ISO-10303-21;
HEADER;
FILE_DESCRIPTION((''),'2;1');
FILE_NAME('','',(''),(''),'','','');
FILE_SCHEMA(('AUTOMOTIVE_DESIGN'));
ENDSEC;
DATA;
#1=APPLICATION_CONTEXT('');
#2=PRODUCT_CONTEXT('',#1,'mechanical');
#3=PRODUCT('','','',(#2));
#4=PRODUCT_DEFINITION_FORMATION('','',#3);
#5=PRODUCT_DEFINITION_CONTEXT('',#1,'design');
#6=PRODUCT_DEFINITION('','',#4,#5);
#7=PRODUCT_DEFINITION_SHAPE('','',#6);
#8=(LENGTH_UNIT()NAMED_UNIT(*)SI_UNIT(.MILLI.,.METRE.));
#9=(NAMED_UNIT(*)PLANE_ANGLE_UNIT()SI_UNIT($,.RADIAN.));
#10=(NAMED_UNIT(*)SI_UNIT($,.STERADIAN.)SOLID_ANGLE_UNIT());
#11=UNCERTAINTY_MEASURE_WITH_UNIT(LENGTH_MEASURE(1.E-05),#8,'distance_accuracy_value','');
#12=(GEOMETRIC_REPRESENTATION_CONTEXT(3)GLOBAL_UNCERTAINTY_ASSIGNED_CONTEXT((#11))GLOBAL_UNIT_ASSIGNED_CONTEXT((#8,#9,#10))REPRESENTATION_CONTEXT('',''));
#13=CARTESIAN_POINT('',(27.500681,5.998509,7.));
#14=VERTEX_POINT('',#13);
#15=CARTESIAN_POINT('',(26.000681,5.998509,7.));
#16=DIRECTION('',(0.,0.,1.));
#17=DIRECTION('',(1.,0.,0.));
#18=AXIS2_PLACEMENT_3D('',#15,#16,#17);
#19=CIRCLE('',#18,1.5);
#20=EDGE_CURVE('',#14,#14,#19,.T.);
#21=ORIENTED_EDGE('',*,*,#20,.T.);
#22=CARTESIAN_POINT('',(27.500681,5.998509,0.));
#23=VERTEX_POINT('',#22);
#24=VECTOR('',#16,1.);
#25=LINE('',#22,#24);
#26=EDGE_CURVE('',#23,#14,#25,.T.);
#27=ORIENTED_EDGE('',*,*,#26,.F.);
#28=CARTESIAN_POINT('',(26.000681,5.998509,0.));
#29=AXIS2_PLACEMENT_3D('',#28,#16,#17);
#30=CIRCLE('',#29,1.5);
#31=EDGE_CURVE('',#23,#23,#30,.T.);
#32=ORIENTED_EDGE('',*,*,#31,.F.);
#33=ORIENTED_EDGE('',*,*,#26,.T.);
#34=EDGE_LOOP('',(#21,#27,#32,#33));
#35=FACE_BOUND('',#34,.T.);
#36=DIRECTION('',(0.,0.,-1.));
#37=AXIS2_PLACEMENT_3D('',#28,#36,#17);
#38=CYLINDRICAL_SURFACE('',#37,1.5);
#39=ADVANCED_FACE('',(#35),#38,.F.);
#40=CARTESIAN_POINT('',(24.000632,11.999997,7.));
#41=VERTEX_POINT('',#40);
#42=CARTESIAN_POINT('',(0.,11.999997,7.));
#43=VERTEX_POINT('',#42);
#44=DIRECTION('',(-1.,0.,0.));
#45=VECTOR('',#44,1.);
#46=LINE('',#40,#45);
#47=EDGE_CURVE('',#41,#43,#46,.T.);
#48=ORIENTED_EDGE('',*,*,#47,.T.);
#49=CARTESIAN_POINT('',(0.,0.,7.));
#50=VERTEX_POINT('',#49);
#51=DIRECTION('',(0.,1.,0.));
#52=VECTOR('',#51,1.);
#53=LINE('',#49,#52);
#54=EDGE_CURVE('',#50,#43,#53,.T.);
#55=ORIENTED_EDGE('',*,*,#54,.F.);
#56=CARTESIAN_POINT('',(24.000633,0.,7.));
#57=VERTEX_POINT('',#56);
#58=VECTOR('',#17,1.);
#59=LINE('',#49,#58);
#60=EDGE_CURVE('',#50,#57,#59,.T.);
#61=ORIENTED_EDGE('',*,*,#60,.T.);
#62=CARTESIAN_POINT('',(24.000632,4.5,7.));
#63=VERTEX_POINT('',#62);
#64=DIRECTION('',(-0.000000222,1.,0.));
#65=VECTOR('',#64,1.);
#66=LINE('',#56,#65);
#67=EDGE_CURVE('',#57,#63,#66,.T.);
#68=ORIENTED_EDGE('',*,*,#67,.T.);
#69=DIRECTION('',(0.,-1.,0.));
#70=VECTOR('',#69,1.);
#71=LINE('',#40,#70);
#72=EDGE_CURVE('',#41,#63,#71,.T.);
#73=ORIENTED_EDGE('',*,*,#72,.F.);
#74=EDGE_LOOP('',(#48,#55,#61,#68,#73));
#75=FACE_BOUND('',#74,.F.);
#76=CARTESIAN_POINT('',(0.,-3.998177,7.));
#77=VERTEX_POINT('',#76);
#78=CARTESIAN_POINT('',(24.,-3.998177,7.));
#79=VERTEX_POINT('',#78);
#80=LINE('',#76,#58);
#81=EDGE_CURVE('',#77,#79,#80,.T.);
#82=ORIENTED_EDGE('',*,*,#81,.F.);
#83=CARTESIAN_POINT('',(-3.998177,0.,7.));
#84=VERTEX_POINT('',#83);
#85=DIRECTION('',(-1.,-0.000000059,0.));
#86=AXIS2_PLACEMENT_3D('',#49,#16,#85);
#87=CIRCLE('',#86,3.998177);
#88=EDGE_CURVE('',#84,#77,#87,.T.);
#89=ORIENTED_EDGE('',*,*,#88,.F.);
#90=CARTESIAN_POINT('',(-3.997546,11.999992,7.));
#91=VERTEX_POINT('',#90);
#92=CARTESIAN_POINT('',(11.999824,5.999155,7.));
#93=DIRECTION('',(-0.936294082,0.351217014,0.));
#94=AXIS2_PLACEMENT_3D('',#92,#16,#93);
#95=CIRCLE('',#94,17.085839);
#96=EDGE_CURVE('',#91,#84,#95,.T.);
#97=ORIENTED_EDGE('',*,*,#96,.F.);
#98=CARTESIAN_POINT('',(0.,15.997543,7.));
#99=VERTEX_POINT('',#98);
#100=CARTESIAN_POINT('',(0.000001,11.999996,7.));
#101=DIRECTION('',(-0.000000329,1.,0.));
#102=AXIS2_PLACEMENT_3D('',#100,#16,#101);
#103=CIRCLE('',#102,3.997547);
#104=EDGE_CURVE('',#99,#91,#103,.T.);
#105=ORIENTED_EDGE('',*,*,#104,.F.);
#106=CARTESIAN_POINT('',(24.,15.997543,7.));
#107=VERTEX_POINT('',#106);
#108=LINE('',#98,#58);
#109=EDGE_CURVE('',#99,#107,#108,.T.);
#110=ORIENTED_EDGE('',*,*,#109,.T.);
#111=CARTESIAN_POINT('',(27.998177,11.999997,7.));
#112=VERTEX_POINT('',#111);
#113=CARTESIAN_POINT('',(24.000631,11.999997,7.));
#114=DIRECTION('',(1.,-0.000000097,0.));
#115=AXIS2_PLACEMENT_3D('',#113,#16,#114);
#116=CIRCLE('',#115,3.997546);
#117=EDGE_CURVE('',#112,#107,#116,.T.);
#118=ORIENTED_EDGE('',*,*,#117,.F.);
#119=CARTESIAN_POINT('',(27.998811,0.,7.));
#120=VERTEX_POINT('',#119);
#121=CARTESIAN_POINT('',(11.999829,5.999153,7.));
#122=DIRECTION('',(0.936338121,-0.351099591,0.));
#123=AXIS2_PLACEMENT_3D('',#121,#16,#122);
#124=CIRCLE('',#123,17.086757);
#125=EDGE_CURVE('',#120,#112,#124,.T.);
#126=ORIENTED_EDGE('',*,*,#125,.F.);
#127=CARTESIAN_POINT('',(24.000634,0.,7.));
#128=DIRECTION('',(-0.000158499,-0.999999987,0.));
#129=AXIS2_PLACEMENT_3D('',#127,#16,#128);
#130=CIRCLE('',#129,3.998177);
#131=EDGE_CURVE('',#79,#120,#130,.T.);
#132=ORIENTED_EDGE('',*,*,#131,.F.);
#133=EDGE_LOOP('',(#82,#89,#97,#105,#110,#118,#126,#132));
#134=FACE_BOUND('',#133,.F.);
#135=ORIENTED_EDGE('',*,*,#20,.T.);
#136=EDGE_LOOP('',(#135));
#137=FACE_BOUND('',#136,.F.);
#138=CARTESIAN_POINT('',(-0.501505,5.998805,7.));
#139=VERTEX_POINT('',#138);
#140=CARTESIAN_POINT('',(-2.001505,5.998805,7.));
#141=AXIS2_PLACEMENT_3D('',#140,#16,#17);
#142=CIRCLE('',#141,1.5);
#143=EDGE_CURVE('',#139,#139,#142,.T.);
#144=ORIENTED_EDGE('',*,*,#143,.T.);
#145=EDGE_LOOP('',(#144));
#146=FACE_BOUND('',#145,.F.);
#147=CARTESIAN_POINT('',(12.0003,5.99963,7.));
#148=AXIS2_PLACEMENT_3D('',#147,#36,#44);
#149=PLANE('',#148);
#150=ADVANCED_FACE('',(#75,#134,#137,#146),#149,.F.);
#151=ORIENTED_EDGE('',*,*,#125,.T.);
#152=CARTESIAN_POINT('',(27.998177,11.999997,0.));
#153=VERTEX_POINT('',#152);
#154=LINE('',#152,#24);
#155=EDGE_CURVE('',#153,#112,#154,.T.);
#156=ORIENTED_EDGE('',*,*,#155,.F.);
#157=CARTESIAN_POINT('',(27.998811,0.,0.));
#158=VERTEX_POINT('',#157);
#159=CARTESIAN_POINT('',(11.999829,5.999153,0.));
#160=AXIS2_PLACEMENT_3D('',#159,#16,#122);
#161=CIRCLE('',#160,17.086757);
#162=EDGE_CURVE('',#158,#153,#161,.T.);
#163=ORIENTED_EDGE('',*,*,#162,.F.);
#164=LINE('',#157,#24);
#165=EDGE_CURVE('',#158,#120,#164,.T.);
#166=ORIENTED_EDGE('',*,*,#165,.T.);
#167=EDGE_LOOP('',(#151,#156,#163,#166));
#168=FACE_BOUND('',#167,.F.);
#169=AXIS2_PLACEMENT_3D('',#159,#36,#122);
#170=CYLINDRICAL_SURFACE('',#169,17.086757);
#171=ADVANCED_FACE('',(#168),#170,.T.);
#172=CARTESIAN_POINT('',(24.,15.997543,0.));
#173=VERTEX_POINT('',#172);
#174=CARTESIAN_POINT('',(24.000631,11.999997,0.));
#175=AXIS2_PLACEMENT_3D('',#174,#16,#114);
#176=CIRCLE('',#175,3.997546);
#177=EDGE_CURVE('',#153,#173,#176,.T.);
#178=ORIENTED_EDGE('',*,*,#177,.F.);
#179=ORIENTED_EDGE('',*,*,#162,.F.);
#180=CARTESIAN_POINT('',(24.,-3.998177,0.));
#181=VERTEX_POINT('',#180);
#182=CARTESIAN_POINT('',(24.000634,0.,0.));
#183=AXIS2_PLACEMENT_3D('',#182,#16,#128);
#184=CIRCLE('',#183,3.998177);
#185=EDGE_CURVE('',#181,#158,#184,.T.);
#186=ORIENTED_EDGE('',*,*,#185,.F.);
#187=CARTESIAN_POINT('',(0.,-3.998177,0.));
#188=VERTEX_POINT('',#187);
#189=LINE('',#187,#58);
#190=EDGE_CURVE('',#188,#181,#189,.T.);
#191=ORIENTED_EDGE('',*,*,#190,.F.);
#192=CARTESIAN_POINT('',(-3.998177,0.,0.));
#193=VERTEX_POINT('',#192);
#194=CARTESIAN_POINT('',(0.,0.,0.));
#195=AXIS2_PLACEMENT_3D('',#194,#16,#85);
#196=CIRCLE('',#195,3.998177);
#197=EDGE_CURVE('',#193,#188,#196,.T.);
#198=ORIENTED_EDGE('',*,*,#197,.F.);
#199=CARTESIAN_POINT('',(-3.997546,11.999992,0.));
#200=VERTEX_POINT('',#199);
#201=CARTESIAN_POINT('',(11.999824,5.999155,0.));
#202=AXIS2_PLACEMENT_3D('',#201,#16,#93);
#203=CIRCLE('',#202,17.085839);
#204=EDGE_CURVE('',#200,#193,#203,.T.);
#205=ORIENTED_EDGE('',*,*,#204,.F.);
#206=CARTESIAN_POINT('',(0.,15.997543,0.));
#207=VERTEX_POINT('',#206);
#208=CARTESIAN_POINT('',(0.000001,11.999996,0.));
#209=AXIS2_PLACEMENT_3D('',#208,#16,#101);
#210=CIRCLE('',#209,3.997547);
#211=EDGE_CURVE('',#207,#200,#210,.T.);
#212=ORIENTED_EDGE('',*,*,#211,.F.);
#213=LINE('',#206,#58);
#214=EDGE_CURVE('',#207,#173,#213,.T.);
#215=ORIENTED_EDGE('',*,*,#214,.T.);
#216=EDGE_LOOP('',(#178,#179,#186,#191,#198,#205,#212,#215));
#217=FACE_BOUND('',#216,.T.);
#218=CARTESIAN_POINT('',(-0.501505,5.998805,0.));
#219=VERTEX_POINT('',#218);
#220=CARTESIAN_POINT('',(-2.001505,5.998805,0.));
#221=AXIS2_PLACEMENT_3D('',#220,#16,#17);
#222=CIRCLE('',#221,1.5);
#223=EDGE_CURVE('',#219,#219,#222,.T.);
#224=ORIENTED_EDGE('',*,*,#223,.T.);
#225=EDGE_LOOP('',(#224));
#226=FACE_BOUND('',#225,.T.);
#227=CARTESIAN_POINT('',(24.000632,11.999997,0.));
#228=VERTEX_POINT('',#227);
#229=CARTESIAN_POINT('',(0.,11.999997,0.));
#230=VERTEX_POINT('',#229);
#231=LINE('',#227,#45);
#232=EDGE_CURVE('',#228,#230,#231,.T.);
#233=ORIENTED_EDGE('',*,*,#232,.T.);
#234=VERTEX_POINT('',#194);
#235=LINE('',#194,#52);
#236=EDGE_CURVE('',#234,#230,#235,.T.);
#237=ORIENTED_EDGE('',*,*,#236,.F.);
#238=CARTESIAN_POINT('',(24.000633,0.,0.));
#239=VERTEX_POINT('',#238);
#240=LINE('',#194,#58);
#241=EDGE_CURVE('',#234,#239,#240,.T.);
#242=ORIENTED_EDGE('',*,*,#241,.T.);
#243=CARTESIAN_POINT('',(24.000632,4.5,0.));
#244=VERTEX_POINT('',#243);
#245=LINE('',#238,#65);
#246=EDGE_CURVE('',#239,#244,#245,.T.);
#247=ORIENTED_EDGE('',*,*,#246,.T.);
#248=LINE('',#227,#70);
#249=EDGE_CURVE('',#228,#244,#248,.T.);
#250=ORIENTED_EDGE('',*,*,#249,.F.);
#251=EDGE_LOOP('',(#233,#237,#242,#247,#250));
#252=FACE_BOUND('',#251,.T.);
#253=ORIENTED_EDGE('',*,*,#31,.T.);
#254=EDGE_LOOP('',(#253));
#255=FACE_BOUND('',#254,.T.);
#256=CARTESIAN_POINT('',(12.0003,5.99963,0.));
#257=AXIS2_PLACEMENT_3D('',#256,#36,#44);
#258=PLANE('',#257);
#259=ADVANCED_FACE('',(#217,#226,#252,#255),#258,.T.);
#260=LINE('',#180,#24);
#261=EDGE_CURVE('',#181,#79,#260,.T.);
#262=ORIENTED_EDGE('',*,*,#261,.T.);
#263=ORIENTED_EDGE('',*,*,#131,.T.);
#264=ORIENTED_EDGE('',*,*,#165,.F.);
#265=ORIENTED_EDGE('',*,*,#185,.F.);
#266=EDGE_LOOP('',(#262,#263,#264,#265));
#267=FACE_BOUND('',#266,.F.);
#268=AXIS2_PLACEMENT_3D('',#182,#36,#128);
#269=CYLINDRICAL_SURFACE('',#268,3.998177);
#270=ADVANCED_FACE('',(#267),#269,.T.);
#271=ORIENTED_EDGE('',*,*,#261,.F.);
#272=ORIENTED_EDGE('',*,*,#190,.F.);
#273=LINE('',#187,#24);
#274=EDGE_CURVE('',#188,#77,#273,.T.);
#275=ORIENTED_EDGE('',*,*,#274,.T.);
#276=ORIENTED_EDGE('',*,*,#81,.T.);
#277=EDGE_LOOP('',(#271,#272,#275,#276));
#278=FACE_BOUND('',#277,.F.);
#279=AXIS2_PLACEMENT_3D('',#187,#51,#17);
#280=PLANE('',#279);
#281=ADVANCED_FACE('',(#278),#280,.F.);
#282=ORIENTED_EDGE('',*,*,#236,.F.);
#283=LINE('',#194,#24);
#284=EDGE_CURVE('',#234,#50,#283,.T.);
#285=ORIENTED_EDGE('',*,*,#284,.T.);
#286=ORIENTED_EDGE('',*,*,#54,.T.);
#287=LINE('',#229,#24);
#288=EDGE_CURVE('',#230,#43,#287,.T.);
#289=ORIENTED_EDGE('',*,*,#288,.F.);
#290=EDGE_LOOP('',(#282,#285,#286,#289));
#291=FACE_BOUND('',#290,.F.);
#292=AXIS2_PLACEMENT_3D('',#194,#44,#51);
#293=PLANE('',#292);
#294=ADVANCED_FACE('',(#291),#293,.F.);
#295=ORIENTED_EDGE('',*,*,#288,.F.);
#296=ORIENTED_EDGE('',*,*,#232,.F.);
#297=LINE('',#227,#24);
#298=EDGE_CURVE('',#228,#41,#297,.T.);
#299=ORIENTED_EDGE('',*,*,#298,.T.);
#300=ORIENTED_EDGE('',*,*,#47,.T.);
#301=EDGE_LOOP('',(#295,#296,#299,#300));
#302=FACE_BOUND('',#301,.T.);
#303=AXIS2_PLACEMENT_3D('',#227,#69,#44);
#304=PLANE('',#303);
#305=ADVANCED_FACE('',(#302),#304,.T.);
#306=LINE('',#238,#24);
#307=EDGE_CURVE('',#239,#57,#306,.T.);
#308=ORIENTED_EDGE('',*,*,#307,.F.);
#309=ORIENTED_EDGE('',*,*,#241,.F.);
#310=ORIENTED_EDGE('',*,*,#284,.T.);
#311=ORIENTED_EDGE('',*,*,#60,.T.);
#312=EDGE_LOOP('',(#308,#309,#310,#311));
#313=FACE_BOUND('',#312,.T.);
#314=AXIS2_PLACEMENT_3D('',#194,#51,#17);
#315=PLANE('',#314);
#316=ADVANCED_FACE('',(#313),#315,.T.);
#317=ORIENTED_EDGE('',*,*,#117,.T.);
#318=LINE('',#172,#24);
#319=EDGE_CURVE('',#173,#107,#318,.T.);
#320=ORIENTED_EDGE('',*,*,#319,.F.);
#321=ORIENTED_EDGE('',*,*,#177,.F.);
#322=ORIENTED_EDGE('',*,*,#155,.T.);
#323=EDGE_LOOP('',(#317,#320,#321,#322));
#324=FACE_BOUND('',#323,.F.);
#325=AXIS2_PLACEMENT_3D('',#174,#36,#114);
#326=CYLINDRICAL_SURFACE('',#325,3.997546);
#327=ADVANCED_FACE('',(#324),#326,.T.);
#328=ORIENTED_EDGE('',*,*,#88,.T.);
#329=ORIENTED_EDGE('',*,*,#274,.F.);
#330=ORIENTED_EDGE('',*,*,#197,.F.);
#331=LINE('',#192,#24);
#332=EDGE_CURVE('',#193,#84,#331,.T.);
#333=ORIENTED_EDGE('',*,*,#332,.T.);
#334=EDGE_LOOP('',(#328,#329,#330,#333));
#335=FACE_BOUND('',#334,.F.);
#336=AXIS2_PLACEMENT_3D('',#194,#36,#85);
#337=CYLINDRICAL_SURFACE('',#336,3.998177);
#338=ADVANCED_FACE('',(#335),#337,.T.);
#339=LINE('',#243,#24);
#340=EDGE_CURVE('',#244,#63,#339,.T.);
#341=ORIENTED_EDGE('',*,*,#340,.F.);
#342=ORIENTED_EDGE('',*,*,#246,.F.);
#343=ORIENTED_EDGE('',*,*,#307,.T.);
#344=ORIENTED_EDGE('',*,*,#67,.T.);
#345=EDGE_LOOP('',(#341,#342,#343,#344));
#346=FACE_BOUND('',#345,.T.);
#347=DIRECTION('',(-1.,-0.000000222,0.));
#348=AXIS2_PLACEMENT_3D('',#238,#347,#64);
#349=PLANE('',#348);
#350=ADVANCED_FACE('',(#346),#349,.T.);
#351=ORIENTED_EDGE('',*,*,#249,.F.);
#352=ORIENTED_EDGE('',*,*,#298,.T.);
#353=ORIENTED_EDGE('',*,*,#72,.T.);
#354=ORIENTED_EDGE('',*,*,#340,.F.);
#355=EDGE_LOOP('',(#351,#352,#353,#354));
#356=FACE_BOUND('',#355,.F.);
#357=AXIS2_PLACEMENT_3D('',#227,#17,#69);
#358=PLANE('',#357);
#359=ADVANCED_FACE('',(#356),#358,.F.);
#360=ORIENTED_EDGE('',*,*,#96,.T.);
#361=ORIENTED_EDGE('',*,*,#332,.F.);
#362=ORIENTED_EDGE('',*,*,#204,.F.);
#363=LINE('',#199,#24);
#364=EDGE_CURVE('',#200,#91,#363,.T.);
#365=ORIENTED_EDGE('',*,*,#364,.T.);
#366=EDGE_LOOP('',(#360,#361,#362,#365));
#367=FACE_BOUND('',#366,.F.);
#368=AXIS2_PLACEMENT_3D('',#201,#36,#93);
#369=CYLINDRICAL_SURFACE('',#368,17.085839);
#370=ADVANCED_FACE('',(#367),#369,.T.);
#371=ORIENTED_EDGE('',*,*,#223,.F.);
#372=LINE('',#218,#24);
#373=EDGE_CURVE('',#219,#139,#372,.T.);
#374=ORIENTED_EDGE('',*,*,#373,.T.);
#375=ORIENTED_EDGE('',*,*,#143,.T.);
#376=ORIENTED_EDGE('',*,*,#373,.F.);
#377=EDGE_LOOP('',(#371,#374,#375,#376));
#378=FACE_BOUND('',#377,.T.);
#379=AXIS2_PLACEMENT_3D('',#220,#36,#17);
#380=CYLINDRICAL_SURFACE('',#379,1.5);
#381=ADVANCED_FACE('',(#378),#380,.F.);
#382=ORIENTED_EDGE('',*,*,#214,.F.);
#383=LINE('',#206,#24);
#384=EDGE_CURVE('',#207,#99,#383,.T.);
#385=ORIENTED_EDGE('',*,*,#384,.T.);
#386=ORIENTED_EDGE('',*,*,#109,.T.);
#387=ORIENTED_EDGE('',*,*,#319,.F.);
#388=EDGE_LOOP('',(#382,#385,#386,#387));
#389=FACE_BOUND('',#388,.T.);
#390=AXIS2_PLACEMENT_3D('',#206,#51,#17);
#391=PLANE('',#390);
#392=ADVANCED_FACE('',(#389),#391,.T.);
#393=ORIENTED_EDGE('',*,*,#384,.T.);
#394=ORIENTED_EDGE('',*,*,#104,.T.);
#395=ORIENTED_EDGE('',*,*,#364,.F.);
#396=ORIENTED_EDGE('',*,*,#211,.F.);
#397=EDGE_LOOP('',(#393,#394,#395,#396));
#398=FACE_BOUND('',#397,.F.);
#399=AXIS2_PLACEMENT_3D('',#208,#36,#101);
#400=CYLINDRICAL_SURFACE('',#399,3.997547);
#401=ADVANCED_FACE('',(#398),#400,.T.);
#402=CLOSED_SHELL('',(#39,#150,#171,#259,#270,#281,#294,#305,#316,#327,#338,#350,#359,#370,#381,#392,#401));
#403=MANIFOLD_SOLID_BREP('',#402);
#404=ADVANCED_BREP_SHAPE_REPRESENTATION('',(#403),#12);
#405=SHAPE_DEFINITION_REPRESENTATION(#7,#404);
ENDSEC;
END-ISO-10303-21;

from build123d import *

# Parameters (mm, degrees)
SKETCH_R  = 1.5
PAD_DEPTH = 7


with BuildPart() as part:
    # Sketch → Pad (new body)
    with BuildSketch(Plane.XY):
        with BuildLine():
            Line((0, 15.997543), (24, 15.997543))
            ThreePointArc((27.998177, 11.999997), (26.8271, 14.826912), (24, 15.997543))
            ThreePointArc((27.998811, 0), (29.086586, 6.000056), (27.998177, 11.999997))
            ThreePointArc((24, -3.998177), (26.827548, -2.827362), (27.998811, 0))
            Line((0, -3.998177), (24, -3.998177))
            ThreePointArc((-3.998177, 0), (-2.827138, -2.827138), (0, -3.998177))
            ThreePointArc((-3.997546, 11.999992), (-5.086015, 6.000054), (-3.998177, 0))
            ThreePointArc((0, 15.997543), (-2.826693, 14.826687), (-3.997546, 11.999992))
        make_face()
        with Locations((-2.001505, 5.998805)):
            Circle(SKETCH_R, mode=Mode.SUBTRACT)
        with Locations((26.000681, 5.998509)):
            Circle(SKETCH_R, mode=Mode.SUBTRACT)
        Polygon((0, 0), (24.000633, 0), (24.000632, 4.5), (24.000632, 7.5), (24.000632, 11.999997), (0, 11.999997), (0, 7.5), (0, 4.5), align=None, mode=Mode.SUBTRACT)
    extrude(amount=PAD_DEPTH)


solid = part.part
